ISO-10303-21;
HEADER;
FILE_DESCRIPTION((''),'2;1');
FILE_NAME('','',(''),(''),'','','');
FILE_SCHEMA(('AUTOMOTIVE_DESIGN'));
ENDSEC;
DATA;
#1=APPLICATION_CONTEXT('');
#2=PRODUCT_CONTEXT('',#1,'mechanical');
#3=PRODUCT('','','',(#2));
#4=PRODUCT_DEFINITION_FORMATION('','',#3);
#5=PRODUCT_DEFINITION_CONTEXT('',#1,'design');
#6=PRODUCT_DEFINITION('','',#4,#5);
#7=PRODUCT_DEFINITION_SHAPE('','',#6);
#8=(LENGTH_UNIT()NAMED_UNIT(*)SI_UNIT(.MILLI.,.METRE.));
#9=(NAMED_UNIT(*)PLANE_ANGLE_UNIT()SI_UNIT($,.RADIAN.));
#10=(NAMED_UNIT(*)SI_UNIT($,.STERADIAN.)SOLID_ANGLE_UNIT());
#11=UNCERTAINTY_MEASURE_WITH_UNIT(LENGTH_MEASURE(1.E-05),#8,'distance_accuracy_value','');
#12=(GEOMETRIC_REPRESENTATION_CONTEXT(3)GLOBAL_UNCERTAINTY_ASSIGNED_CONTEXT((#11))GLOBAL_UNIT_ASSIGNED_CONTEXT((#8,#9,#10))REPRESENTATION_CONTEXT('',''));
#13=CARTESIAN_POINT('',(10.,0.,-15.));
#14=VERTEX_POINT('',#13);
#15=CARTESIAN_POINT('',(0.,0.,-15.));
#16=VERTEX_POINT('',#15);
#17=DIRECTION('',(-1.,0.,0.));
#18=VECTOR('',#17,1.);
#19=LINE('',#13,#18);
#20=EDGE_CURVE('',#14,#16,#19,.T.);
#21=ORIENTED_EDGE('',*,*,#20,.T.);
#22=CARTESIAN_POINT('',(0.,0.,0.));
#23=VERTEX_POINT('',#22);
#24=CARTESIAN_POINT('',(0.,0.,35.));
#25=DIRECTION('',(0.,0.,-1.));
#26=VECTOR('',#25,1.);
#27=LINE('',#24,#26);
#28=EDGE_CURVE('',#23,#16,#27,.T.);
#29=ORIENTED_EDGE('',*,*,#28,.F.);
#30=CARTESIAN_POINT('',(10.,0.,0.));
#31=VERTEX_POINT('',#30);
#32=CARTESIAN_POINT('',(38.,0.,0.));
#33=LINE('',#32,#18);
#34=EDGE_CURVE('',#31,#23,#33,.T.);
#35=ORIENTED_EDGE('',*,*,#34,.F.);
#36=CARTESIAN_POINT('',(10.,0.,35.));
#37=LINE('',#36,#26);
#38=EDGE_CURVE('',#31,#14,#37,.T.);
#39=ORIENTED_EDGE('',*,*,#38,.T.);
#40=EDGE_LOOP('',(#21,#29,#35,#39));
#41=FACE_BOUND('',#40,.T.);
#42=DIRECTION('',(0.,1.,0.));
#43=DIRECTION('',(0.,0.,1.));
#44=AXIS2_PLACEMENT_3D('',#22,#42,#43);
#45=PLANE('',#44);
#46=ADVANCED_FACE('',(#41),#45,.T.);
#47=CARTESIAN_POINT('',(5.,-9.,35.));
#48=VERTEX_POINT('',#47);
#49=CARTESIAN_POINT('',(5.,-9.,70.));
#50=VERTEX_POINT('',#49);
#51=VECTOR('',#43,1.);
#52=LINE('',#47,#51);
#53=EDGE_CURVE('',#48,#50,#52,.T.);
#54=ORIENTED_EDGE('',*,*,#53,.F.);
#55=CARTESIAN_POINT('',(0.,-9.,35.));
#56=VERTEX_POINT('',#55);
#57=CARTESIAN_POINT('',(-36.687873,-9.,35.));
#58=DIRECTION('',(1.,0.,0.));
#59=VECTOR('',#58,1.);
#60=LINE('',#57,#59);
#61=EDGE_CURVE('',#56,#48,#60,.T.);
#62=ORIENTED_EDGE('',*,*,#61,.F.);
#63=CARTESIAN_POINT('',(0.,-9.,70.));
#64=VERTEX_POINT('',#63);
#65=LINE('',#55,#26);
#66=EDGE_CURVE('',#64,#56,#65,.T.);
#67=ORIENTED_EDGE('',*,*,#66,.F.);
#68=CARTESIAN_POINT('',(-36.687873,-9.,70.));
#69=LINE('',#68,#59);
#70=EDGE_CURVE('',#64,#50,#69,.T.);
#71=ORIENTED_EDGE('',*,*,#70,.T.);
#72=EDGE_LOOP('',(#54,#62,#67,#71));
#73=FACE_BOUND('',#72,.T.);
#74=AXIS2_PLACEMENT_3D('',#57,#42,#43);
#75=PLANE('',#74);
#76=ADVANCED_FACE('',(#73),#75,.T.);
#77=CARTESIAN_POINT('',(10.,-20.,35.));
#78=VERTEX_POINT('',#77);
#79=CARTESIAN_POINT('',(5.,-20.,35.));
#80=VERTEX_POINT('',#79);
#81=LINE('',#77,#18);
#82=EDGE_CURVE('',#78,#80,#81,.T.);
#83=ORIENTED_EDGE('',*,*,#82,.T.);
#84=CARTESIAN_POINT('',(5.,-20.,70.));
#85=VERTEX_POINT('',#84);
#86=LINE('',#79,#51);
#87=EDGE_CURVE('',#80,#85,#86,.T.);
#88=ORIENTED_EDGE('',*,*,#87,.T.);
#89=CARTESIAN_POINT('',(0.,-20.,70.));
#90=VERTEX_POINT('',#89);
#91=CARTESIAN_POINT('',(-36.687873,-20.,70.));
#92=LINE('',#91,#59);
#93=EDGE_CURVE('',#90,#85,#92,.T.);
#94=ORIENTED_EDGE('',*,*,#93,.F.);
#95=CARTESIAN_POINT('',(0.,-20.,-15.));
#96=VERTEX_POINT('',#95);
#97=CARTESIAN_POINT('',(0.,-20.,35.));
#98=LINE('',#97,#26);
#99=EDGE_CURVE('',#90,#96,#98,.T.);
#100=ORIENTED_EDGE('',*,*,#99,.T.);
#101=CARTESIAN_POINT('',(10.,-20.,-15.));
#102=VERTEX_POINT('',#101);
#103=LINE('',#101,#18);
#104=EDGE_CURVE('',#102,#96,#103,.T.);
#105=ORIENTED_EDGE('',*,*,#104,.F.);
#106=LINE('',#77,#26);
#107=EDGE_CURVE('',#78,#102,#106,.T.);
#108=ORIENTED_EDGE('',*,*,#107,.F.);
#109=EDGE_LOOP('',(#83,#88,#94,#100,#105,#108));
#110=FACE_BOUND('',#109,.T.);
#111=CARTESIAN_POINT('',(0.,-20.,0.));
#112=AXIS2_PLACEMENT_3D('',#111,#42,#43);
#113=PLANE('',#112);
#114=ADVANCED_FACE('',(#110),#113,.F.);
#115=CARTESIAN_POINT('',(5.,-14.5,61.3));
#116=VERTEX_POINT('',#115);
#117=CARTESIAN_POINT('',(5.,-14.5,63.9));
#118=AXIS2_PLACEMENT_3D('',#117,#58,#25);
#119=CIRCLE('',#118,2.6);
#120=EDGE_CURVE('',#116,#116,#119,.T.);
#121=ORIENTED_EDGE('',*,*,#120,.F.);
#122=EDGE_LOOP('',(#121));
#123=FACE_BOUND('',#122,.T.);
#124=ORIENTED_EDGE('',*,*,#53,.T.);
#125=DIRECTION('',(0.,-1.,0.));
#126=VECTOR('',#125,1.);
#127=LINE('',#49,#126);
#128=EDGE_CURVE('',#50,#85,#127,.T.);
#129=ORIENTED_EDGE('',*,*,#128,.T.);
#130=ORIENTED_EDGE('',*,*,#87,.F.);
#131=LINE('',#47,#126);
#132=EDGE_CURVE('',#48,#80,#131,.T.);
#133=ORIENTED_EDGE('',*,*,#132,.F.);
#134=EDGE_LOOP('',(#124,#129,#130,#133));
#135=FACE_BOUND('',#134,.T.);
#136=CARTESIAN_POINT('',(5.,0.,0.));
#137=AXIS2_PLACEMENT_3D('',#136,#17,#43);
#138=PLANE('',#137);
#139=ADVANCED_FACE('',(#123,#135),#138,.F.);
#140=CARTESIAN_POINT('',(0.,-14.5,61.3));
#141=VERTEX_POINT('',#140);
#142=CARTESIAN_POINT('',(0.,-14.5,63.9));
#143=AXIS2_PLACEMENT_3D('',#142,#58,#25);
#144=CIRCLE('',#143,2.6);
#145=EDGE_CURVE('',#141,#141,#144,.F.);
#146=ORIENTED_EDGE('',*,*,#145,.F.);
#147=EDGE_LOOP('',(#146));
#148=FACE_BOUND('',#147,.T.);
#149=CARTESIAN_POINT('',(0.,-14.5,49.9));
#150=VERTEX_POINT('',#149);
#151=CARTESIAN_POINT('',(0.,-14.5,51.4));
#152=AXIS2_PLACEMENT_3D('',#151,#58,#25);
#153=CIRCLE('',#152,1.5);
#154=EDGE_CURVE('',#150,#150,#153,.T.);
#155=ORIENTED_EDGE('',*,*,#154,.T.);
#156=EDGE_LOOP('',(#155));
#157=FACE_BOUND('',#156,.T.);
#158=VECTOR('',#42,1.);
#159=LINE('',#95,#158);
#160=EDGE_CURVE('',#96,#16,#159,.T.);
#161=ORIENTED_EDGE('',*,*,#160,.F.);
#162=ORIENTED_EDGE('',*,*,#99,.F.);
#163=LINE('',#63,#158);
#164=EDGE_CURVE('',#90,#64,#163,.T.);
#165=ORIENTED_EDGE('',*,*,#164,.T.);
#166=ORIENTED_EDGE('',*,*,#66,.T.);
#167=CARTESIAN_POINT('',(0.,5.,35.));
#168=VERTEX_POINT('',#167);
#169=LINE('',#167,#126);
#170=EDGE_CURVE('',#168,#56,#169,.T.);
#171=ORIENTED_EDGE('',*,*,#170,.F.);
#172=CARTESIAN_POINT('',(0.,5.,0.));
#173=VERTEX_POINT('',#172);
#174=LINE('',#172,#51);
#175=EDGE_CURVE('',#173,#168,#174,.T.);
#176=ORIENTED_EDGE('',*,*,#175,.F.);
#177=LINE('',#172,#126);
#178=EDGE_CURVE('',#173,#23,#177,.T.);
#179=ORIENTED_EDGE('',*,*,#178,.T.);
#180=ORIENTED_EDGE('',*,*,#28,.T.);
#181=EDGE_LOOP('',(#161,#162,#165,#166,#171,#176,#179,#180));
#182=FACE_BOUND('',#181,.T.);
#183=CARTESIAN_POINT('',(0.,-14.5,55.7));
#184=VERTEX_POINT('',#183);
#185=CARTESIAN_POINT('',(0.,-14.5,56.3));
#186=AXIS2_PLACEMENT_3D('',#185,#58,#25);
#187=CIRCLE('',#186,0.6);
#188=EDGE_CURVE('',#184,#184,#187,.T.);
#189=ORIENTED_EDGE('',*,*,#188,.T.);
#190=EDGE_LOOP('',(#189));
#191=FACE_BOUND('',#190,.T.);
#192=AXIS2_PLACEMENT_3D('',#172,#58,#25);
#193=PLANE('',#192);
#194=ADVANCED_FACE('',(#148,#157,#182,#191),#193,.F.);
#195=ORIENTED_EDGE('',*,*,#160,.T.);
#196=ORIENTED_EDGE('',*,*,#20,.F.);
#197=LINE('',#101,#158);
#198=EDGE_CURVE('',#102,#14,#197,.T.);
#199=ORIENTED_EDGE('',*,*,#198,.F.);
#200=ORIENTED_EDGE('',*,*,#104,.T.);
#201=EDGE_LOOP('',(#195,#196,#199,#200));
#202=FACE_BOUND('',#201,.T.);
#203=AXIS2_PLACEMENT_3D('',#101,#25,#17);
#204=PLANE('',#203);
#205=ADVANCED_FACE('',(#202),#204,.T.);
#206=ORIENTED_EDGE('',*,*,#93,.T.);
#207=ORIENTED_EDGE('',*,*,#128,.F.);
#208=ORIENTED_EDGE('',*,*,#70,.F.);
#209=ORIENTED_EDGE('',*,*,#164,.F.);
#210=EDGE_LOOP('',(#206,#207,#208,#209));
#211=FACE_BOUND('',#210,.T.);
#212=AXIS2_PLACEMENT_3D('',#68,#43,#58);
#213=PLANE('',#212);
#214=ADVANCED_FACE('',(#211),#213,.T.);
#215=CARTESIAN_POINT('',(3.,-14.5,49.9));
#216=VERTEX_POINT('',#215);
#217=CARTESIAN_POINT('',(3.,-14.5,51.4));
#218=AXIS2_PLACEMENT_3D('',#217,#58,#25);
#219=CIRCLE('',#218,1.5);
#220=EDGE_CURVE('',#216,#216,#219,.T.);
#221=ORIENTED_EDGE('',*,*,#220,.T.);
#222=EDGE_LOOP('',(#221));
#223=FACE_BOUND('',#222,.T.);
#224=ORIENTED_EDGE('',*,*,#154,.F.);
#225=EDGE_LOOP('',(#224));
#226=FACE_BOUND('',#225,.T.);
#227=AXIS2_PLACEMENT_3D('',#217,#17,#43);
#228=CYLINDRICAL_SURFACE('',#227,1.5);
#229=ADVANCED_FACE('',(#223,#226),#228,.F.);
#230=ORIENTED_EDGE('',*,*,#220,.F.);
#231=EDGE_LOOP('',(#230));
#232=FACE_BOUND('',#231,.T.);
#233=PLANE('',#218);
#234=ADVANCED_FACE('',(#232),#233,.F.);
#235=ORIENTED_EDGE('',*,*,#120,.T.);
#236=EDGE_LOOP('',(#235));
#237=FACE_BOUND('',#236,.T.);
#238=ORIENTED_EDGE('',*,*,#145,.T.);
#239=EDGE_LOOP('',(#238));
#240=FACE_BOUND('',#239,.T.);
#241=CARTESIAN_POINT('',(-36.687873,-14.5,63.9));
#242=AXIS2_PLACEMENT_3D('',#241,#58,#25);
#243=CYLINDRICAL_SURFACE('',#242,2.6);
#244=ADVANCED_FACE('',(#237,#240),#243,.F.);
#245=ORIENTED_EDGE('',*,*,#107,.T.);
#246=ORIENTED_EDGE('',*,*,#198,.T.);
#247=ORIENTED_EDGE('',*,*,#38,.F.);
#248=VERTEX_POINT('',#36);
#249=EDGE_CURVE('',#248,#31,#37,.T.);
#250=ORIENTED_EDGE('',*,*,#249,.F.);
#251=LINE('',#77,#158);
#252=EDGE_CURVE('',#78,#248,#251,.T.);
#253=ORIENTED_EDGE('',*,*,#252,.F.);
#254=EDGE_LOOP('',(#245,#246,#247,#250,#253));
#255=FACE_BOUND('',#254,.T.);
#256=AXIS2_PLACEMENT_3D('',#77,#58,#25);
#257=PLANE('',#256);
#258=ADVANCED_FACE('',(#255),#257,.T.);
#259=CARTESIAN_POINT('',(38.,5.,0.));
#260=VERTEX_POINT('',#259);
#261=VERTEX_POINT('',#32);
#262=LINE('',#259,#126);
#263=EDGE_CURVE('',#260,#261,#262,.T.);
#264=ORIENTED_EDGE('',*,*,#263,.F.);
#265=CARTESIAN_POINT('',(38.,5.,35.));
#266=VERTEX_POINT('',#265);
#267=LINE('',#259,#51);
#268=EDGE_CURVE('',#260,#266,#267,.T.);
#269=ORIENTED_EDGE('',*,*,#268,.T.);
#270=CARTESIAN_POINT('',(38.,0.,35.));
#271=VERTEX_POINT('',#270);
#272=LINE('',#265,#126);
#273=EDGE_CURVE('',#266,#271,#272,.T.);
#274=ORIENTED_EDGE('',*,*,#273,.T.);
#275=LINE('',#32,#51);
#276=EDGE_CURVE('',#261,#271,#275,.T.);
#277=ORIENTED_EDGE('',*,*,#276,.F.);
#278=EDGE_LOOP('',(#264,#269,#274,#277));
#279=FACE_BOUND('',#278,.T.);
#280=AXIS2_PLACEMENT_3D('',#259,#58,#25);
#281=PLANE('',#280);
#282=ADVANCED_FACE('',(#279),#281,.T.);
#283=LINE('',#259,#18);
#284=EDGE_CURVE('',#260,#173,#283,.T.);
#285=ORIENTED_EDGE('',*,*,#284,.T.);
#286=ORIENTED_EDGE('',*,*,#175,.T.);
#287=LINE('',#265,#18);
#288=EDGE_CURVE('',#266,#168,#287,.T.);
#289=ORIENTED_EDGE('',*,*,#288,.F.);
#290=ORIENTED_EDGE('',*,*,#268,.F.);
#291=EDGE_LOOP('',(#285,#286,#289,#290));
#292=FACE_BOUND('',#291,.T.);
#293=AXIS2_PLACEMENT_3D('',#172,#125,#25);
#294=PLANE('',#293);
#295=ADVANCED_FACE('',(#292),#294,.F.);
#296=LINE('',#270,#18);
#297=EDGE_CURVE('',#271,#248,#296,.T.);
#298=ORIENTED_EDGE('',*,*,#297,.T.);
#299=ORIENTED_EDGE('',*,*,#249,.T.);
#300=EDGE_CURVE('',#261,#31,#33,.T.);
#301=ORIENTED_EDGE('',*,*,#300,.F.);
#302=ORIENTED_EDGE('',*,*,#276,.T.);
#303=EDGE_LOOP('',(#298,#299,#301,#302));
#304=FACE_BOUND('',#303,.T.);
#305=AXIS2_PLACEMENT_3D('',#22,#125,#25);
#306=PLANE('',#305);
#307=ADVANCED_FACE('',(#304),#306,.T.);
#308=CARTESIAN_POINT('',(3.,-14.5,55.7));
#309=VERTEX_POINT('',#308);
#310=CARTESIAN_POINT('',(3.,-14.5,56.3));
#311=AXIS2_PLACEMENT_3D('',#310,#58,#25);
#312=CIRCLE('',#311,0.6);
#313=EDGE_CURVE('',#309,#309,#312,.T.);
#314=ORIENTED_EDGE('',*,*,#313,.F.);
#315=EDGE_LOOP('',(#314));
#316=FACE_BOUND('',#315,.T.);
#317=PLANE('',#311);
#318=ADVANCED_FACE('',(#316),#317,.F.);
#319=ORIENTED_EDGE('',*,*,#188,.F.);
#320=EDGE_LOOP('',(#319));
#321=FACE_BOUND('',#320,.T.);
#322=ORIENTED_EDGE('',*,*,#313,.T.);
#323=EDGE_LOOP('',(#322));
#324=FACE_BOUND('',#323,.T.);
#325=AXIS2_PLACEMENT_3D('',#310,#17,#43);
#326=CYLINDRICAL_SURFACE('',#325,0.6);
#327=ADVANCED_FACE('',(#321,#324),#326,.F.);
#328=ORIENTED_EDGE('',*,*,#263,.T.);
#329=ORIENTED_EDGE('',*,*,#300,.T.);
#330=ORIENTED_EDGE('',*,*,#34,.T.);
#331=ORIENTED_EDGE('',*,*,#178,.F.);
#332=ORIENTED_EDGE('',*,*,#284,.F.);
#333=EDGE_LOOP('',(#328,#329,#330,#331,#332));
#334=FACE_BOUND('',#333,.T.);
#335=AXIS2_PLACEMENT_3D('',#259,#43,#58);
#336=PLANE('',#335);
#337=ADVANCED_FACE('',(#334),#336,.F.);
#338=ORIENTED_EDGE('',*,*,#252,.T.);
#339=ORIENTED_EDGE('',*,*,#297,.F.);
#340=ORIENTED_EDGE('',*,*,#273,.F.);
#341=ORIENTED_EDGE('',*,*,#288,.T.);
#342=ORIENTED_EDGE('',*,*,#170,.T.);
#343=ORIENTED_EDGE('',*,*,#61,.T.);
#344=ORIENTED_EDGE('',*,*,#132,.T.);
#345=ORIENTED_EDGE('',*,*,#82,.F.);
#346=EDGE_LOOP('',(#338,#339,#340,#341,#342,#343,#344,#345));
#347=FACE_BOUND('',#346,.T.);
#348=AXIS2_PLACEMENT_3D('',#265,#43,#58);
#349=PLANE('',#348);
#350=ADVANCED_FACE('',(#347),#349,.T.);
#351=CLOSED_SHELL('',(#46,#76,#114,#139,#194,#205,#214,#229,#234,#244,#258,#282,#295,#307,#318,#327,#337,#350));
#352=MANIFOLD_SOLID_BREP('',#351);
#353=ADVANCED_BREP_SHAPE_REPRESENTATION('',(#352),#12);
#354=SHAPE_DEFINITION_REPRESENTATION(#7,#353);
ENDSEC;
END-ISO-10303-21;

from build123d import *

# Parameters (mm, degrees)
SKETCH_1_W          = 38
SKETCH_1_H          = 35
EXTRUDE_1_DEPTH     = 5
SKETCH_1_14_W       = 10
SKETCH_1_14_H       = 50
EXTRUDE_2_DEPTH     = 20
EXTRUDE_START       = -5
SKETCH_2_W          = 35
SKETCH_2_H          = 11
SKETCH_2_R          = 2.6
EXTRUDE_3_DEPTH     = 5
CUT_EXTRUDE_START   = -10
SKETCH_2_3_R        = 0.6
SKETCH_2_3_R_2      = 1.5
CUT_EXTRUDE_1_DEPTH = 3


with BuildPart() as part:
    # 草图1 → 凸台-拉伸1 (new body)
    with BuildSketch(Plane(origin=(0, 0, 0), x_dir=(1, 0, 0), z_dir=(0, 1, 0))):
        with Locations((19, -17.5)):
            Rectangle(SKETCH_1_W, SKETCH_1_H)
    extrude(amount=EXTRUDE_1_DEPTH)

    # 草图1<14> → 凸台-拉伸2 (add)
    with BuildSketch(Plane(origin=(0, 0, 0), x_dir=(1, 0, 0), z_dir=(0, 1, 0))):
        with Locations((5, -10)):
            Rectangle(SKETCH_1_14_W, SKETCH_1_14_H)
    extrude(amount=-EXTRUDE_2_DEPTH)

    # 草图2 → 凸台-拉伸3 (add)
    with BuildSketch(Plane(origin=(10, 0, 0), x_dir=(0, 0, -1), z_dir=(1, 0, 0)).offset(EXTRUDE_START)):
        with Locations((-52.5, -14.5)):
            Rectangle(SKETCH_2_W, SKETCH_2_H)
        with Locations((-63.9, -14.5)):
            Circle(SKETCH_2_R, mode=Mode.SUBTRACT)
    extrude(amount=-EXTRUDE_3_DEPTH)

    # 草图2<3> → 切除-拉伸1 (cut)
    with BuildSketch(Plane(origin=(10, 0, 0), x_dir=(0, 0, -1), z_dir=(1, 0, 0)).offset(CUT_EXTRUDE_START)):
        with Locations((-56.3, -14.5)):
            Circle(SKETCH_2_3_R)
        with Locations((-51.4, -14.5)):
            Circle(SKETCH_2_3_R_2)
    extrude(amount=CUT_EXTRUDE_1_DEPTH, mode=Mode.SUBTRACT)


solid = part.part
